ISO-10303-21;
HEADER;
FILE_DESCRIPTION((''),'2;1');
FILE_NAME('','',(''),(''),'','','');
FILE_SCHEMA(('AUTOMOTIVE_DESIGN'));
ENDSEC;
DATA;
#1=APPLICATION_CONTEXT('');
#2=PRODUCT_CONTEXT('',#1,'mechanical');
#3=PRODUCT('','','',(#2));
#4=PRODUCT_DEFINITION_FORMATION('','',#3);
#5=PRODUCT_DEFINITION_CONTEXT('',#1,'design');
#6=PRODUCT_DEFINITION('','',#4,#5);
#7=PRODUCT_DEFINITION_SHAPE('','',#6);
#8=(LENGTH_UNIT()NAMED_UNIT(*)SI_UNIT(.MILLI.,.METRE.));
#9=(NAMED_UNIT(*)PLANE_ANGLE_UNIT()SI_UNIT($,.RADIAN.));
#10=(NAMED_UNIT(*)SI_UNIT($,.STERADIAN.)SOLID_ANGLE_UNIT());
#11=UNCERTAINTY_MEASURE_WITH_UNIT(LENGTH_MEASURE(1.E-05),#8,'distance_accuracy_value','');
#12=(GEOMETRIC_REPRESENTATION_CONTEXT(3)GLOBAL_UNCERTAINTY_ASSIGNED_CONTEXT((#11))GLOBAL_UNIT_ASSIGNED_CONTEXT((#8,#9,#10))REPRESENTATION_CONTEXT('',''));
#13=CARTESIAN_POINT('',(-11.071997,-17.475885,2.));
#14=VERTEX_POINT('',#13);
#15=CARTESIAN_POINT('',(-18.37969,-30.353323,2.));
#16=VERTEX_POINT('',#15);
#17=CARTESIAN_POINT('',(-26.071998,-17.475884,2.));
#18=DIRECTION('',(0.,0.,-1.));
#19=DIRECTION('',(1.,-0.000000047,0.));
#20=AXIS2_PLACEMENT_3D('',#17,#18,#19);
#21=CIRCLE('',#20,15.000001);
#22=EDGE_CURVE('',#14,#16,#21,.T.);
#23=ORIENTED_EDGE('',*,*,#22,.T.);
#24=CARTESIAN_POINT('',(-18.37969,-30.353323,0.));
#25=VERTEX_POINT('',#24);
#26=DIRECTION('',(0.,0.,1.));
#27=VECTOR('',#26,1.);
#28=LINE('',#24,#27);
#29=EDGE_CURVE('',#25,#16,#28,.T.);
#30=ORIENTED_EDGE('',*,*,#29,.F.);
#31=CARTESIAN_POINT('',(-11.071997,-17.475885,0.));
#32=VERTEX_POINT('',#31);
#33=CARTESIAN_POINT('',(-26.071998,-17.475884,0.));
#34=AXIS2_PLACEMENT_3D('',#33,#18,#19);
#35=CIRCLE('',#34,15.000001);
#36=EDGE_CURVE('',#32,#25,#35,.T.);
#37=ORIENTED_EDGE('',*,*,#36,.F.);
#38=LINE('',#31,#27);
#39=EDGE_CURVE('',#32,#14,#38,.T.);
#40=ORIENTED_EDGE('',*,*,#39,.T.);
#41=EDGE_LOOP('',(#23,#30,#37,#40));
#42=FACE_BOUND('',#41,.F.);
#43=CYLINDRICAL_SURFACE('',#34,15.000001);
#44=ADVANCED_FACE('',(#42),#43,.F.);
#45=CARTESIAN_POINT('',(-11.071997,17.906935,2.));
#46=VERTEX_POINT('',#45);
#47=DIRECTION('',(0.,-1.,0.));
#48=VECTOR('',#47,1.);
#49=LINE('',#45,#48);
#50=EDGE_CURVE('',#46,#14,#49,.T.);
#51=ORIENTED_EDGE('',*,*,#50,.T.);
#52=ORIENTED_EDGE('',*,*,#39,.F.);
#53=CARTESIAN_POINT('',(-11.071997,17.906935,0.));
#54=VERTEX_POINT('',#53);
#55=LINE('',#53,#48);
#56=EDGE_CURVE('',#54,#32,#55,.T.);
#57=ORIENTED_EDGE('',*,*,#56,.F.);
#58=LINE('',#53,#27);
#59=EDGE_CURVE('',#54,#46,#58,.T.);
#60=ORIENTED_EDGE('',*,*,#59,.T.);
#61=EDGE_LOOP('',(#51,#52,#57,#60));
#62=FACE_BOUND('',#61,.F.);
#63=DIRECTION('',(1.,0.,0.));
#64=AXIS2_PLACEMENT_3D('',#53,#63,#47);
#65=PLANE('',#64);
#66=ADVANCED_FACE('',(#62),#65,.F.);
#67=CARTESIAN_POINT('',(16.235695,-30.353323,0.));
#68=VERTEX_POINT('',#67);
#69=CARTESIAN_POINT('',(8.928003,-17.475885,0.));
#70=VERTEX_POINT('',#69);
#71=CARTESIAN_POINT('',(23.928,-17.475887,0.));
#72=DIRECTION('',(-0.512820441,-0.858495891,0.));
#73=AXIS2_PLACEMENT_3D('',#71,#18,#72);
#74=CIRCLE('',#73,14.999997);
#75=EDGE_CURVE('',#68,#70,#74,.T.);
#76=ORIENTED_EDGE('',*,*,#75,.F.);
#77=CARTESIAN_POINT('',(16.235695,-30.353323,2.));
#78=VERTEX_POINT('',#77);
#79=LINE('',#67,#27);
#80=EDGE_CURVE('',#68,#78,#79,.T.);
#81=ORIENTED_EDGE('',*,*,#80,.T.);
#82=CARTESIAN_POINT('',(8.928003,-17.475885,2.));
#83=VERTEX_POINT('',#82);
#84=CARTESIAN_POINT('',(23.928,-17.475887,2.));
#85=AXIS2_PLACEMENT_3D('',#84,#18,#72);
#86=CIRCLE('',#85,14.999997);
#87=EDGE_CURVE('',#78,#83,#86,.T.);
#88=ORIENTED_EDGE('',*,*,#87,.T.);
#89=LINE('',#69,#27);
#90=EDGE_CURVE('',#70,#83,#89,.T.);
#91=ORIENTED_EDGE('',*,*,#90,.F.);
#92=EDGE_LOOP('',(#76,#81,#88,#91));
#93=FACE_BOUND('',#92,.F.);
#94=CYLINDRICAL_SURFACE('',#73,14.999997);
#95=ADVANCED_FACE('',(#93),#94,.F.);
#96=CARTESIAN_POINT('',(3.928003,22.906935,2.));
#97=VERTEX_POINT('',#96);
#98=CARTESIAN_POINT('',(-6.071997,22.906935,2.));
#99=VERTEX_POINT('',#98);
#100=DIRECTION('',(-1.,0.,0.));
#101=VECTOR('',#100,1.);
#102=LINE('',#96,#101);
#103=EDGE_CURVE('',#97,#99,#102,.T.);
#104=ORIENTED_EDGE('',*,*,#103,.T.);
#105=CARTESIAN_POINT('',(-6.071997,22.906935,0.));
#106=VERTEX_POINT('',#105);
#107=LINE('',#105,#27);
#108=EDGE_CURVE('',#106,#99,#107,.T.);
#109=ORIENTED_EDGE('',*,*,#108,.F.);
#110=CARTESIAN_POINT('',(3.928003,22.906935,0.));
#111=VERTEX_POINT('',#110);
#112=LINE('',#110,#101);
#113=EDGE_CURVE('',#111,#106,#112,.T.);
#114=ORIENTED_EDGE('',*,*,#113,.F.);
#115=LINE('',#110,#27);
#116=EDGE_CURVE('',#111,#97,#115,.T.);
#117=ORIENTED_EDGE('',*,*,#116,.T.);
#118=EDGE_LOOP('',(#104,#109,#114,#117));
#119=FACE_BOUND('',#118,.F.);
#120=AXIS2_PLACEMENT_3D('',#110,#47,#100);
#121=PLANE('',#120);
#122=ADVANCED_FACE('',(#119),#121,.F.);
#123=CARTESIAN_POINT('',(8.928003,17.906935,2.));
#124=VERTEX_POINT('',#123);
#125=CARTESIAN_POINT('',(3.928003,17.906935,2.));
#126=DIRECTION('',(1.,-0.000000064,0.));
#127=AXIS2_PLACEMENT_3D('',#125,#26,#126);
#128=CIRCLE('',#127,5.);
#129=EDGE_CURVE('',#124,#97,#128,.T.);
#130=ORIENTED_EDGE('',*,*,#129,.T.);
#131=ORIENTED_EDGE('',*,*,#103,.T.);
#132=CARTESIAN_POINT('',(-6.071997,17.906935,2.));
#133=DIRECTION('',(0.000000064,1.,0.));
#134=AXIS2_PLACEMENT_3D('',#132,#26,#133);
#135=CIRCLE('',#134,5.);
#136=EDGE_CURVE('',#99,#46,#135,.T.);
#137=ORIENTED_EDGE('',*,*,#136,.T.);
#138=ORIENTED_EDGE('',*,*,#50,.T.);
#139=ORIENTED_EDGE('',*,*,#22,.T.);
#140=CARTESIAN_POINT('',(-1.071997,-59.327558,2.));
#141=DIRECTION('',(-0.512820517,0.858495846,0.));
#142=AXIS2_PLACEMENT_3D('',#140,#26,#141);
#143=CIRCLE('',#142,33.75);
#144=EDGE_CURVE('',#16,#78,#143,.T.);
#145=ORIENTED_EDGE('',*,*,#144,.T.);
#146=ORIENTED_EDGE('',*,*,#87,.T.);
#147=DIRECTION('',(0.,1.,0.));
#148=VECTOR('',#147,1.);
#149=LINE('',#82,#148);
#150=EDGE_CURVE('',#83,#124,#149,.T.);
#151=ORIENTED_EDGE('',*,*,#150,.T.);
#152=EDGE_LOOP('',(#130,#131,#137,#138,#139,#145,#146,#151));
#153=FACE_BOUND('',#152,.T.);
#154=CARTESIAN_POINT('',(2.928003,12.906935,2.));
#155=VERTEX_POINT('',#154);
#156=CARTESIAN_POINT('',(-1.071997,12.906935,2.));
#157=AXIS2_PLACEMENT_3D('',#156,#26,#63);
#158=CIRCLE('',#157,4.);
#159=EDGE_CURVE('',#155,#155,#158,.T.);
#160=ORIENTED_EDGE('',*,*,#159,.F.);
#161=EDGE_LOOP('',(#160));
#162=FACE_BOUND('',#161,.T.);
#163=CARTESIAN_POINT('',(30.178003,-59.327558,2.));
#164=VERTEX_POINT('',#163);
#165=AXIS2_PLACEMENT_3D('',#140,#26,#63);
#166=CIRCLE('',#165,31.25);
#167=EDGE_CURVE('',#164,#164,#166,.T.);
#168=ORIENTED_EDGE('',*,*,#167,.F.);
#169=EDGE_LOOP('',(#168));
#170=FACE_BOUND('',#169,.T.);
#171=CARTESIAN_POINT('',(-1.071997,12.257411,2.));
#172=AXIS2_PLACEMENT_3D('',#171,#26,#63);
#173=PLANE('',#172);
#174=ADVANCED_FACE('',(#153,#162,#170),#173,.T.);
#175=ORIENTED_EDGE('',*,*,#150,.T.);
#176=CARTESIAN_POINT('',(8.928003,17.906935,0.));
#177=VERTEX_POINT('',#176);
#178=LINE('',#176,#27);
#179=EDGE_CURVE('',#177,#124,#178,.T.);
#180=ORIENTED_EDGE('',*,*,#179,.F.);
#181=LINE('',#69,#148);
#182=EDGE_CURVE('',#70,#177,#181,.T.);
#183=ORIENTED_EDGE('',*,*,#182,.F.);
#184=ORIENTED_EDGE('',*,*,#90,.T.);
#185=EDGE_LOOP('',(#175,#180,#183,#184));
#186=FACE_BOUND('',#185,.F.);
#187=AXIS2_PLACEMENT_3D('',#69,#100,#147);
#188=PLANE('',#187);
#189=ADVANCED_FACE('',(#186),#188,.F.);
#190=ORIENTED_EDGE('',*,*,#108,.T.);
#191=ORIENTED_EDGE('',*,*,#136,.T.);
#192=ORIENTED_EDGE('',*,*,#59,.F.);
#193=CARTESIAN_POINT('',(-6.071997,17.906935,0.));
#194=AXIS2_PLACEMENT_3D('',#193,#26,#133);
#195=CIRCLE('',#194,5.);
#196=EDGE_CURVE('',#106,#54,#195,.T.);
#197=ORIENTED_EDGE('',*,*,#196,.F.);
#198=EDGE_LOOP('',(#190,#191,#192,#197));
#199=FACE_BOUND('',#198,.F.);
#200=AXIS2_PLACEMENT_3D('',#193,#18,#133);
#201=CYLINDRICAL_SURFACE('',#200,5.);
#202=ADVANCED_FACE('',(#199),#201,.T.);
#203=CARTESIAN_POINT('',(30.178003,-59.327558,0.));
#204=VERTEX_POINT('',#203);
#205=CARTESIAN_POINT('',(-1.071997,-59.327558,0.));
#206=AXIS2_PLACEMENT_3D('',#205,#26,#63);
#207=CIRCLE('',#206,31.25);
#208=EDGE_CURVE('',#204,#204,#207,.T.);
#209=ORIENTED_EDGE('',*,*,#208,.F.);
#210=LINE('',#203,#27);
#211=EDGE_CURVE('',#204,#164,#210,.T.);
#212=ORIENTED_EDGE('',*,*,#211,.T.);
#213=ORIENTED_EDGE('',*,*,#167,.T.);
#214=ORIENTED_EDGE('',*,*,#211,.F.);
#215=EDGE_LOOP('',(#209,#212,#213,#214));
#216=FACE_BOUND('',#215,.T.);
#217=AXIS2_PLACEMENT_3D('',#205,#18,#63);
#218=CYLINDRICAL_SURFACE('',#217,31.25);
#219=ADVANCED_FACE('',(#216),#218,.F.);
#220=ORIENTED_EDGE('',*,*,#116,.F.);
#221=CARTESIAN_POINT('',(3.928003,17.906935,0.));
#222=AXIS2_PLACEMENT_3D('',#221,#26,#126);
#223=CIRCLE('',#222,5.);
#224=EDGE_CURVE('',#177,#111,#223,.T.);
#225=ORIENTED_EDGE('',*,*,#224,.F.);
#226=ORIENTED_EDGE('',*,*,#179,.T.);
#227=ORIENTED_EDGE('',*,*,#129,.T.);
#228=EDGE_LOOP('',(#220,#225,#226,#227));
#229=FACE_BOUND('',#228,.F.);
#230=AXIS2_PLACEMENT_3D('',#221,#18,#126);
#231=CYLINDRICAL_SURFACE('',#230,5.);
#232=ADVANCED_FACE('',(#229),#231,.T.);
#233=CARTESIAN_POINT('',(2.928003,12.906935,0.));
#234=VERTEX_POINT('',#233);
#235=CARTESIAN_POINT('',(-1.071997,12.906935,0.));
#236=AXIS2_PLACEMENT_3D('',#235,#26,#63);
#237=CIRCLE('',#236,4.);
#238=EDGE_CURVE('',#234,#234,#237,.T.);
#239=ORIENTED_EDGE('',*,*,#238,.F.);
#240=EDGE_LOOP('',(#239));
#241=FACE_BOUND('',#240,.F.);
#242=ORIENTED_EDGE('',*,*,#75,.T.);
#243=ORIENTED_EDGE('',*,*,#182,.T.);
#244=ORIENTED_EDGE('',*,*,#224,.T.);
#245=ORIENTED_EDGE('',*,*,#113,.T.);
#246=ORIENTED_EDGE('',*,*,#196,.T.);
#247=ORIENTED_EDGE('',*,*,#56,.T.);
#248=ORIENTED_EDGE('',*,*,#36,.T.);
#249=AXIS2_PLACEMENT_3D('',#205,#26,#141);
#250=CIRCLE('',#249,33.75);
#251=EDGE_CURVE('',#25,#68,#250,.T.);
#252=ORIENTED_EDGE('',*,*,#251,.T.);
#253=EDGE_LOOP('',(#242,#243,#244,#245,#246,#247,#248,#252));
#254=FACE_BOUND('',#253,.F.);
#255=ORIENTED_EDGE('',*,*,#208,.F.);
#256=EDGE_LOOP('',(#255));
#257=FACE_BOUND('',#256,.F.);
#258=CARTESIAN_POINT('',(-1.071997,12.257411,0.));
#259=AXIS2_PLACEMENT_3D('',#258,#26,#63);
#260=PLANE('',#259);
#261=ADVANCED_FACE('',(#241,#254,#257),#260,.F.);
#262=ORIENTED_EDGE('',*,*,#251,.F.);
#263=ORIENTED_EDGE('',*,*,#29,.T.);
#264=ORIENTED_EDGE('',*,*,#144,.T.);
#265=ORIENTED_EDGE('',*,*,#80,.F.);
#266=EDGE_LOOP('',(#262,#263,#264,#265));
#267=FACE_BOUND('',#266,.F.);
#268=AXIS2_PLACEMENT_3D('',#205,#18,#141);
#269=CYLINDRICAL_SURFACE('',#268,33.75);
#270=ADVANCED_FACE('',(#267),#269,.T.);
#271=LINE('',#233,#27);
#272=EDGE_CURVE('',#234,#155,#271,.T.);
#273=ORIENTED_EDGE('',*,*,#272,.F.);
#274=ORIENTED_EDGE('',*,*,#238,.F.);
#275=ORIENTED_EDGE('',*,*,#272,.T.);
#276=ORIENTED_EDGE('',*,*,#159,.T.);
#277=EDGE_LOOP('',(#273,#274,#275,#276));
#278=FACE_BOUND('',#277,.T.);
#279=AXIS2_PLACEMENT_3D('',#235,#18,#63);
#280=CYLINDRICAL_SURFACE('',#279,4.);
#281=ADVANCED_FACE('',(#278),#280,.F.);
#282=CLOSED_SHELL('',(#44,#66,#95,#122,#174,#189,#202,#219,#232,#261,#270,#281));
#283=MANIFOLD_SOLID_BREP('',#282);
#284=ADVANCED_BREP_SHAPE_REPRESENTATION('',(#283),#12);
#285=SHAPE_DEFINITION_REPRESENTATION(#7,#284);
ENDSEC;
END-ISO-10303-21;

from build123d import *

# Parameters (mm, degrees)
F0_R     = 4
F0_R_2   = 31.25
F1_DEPTH = 2


with BuildPart() as f1:
    # F0 (on Top) → F1 (new body)
    with BuildSketch(Plane.XY):
        with BuildLine():
            Line((-11.071997, 17.906935), (-11.071997, 2.906935))
            Line((-11.071997, 2.906935), (8.928003, 2.906935))
            Line((8.928003, 2.906935), (8.928003, 17.906935))
            ThreePointArc((8.928003, 17.906935), (7.463537, 21.442469), (3.928003, 22.906935))
            Line((3.928003, 22.906935), (-6.071997, 22.906935))
            ThreePointArc((-6.071997, 22.906935), (-9.607531, 21.442469), (-11.071997, 17.906935))
        make_face()
        with Locations((-1.071997, 12.906935)):
            Circle(F0_R, mode=Mode.SUBTRACT)
        with BuildLine():
            ThreePointArc((-11.071997, -17.475885), (-13.02622, -24.879107), (-18.37969, -30.353323))
            ThreePointArc((-18.37969, -30.353323), (-1.071997, -93.077558), (16.235695, -30.353323))
            ThreePointArc((16.235695, -30.353323), (10.882225, -24.879107), (8.928003, -17.475885))
            Line((8.928003, -17.475885), (8.928003, 2.906935))
            Line((8.928003, 2.906935), (-11.071997, 2.906935))
            Line((-11.071997, 2.906935), (-11.071997, -17.475885))
        make_face()
        with Locations((-1.071997, -59.327558)):
            Circle(F0_R_2, mode=Mode.SUBTRACT)
    extrude(amount=F1_DEPTH)


solid = f1.part
